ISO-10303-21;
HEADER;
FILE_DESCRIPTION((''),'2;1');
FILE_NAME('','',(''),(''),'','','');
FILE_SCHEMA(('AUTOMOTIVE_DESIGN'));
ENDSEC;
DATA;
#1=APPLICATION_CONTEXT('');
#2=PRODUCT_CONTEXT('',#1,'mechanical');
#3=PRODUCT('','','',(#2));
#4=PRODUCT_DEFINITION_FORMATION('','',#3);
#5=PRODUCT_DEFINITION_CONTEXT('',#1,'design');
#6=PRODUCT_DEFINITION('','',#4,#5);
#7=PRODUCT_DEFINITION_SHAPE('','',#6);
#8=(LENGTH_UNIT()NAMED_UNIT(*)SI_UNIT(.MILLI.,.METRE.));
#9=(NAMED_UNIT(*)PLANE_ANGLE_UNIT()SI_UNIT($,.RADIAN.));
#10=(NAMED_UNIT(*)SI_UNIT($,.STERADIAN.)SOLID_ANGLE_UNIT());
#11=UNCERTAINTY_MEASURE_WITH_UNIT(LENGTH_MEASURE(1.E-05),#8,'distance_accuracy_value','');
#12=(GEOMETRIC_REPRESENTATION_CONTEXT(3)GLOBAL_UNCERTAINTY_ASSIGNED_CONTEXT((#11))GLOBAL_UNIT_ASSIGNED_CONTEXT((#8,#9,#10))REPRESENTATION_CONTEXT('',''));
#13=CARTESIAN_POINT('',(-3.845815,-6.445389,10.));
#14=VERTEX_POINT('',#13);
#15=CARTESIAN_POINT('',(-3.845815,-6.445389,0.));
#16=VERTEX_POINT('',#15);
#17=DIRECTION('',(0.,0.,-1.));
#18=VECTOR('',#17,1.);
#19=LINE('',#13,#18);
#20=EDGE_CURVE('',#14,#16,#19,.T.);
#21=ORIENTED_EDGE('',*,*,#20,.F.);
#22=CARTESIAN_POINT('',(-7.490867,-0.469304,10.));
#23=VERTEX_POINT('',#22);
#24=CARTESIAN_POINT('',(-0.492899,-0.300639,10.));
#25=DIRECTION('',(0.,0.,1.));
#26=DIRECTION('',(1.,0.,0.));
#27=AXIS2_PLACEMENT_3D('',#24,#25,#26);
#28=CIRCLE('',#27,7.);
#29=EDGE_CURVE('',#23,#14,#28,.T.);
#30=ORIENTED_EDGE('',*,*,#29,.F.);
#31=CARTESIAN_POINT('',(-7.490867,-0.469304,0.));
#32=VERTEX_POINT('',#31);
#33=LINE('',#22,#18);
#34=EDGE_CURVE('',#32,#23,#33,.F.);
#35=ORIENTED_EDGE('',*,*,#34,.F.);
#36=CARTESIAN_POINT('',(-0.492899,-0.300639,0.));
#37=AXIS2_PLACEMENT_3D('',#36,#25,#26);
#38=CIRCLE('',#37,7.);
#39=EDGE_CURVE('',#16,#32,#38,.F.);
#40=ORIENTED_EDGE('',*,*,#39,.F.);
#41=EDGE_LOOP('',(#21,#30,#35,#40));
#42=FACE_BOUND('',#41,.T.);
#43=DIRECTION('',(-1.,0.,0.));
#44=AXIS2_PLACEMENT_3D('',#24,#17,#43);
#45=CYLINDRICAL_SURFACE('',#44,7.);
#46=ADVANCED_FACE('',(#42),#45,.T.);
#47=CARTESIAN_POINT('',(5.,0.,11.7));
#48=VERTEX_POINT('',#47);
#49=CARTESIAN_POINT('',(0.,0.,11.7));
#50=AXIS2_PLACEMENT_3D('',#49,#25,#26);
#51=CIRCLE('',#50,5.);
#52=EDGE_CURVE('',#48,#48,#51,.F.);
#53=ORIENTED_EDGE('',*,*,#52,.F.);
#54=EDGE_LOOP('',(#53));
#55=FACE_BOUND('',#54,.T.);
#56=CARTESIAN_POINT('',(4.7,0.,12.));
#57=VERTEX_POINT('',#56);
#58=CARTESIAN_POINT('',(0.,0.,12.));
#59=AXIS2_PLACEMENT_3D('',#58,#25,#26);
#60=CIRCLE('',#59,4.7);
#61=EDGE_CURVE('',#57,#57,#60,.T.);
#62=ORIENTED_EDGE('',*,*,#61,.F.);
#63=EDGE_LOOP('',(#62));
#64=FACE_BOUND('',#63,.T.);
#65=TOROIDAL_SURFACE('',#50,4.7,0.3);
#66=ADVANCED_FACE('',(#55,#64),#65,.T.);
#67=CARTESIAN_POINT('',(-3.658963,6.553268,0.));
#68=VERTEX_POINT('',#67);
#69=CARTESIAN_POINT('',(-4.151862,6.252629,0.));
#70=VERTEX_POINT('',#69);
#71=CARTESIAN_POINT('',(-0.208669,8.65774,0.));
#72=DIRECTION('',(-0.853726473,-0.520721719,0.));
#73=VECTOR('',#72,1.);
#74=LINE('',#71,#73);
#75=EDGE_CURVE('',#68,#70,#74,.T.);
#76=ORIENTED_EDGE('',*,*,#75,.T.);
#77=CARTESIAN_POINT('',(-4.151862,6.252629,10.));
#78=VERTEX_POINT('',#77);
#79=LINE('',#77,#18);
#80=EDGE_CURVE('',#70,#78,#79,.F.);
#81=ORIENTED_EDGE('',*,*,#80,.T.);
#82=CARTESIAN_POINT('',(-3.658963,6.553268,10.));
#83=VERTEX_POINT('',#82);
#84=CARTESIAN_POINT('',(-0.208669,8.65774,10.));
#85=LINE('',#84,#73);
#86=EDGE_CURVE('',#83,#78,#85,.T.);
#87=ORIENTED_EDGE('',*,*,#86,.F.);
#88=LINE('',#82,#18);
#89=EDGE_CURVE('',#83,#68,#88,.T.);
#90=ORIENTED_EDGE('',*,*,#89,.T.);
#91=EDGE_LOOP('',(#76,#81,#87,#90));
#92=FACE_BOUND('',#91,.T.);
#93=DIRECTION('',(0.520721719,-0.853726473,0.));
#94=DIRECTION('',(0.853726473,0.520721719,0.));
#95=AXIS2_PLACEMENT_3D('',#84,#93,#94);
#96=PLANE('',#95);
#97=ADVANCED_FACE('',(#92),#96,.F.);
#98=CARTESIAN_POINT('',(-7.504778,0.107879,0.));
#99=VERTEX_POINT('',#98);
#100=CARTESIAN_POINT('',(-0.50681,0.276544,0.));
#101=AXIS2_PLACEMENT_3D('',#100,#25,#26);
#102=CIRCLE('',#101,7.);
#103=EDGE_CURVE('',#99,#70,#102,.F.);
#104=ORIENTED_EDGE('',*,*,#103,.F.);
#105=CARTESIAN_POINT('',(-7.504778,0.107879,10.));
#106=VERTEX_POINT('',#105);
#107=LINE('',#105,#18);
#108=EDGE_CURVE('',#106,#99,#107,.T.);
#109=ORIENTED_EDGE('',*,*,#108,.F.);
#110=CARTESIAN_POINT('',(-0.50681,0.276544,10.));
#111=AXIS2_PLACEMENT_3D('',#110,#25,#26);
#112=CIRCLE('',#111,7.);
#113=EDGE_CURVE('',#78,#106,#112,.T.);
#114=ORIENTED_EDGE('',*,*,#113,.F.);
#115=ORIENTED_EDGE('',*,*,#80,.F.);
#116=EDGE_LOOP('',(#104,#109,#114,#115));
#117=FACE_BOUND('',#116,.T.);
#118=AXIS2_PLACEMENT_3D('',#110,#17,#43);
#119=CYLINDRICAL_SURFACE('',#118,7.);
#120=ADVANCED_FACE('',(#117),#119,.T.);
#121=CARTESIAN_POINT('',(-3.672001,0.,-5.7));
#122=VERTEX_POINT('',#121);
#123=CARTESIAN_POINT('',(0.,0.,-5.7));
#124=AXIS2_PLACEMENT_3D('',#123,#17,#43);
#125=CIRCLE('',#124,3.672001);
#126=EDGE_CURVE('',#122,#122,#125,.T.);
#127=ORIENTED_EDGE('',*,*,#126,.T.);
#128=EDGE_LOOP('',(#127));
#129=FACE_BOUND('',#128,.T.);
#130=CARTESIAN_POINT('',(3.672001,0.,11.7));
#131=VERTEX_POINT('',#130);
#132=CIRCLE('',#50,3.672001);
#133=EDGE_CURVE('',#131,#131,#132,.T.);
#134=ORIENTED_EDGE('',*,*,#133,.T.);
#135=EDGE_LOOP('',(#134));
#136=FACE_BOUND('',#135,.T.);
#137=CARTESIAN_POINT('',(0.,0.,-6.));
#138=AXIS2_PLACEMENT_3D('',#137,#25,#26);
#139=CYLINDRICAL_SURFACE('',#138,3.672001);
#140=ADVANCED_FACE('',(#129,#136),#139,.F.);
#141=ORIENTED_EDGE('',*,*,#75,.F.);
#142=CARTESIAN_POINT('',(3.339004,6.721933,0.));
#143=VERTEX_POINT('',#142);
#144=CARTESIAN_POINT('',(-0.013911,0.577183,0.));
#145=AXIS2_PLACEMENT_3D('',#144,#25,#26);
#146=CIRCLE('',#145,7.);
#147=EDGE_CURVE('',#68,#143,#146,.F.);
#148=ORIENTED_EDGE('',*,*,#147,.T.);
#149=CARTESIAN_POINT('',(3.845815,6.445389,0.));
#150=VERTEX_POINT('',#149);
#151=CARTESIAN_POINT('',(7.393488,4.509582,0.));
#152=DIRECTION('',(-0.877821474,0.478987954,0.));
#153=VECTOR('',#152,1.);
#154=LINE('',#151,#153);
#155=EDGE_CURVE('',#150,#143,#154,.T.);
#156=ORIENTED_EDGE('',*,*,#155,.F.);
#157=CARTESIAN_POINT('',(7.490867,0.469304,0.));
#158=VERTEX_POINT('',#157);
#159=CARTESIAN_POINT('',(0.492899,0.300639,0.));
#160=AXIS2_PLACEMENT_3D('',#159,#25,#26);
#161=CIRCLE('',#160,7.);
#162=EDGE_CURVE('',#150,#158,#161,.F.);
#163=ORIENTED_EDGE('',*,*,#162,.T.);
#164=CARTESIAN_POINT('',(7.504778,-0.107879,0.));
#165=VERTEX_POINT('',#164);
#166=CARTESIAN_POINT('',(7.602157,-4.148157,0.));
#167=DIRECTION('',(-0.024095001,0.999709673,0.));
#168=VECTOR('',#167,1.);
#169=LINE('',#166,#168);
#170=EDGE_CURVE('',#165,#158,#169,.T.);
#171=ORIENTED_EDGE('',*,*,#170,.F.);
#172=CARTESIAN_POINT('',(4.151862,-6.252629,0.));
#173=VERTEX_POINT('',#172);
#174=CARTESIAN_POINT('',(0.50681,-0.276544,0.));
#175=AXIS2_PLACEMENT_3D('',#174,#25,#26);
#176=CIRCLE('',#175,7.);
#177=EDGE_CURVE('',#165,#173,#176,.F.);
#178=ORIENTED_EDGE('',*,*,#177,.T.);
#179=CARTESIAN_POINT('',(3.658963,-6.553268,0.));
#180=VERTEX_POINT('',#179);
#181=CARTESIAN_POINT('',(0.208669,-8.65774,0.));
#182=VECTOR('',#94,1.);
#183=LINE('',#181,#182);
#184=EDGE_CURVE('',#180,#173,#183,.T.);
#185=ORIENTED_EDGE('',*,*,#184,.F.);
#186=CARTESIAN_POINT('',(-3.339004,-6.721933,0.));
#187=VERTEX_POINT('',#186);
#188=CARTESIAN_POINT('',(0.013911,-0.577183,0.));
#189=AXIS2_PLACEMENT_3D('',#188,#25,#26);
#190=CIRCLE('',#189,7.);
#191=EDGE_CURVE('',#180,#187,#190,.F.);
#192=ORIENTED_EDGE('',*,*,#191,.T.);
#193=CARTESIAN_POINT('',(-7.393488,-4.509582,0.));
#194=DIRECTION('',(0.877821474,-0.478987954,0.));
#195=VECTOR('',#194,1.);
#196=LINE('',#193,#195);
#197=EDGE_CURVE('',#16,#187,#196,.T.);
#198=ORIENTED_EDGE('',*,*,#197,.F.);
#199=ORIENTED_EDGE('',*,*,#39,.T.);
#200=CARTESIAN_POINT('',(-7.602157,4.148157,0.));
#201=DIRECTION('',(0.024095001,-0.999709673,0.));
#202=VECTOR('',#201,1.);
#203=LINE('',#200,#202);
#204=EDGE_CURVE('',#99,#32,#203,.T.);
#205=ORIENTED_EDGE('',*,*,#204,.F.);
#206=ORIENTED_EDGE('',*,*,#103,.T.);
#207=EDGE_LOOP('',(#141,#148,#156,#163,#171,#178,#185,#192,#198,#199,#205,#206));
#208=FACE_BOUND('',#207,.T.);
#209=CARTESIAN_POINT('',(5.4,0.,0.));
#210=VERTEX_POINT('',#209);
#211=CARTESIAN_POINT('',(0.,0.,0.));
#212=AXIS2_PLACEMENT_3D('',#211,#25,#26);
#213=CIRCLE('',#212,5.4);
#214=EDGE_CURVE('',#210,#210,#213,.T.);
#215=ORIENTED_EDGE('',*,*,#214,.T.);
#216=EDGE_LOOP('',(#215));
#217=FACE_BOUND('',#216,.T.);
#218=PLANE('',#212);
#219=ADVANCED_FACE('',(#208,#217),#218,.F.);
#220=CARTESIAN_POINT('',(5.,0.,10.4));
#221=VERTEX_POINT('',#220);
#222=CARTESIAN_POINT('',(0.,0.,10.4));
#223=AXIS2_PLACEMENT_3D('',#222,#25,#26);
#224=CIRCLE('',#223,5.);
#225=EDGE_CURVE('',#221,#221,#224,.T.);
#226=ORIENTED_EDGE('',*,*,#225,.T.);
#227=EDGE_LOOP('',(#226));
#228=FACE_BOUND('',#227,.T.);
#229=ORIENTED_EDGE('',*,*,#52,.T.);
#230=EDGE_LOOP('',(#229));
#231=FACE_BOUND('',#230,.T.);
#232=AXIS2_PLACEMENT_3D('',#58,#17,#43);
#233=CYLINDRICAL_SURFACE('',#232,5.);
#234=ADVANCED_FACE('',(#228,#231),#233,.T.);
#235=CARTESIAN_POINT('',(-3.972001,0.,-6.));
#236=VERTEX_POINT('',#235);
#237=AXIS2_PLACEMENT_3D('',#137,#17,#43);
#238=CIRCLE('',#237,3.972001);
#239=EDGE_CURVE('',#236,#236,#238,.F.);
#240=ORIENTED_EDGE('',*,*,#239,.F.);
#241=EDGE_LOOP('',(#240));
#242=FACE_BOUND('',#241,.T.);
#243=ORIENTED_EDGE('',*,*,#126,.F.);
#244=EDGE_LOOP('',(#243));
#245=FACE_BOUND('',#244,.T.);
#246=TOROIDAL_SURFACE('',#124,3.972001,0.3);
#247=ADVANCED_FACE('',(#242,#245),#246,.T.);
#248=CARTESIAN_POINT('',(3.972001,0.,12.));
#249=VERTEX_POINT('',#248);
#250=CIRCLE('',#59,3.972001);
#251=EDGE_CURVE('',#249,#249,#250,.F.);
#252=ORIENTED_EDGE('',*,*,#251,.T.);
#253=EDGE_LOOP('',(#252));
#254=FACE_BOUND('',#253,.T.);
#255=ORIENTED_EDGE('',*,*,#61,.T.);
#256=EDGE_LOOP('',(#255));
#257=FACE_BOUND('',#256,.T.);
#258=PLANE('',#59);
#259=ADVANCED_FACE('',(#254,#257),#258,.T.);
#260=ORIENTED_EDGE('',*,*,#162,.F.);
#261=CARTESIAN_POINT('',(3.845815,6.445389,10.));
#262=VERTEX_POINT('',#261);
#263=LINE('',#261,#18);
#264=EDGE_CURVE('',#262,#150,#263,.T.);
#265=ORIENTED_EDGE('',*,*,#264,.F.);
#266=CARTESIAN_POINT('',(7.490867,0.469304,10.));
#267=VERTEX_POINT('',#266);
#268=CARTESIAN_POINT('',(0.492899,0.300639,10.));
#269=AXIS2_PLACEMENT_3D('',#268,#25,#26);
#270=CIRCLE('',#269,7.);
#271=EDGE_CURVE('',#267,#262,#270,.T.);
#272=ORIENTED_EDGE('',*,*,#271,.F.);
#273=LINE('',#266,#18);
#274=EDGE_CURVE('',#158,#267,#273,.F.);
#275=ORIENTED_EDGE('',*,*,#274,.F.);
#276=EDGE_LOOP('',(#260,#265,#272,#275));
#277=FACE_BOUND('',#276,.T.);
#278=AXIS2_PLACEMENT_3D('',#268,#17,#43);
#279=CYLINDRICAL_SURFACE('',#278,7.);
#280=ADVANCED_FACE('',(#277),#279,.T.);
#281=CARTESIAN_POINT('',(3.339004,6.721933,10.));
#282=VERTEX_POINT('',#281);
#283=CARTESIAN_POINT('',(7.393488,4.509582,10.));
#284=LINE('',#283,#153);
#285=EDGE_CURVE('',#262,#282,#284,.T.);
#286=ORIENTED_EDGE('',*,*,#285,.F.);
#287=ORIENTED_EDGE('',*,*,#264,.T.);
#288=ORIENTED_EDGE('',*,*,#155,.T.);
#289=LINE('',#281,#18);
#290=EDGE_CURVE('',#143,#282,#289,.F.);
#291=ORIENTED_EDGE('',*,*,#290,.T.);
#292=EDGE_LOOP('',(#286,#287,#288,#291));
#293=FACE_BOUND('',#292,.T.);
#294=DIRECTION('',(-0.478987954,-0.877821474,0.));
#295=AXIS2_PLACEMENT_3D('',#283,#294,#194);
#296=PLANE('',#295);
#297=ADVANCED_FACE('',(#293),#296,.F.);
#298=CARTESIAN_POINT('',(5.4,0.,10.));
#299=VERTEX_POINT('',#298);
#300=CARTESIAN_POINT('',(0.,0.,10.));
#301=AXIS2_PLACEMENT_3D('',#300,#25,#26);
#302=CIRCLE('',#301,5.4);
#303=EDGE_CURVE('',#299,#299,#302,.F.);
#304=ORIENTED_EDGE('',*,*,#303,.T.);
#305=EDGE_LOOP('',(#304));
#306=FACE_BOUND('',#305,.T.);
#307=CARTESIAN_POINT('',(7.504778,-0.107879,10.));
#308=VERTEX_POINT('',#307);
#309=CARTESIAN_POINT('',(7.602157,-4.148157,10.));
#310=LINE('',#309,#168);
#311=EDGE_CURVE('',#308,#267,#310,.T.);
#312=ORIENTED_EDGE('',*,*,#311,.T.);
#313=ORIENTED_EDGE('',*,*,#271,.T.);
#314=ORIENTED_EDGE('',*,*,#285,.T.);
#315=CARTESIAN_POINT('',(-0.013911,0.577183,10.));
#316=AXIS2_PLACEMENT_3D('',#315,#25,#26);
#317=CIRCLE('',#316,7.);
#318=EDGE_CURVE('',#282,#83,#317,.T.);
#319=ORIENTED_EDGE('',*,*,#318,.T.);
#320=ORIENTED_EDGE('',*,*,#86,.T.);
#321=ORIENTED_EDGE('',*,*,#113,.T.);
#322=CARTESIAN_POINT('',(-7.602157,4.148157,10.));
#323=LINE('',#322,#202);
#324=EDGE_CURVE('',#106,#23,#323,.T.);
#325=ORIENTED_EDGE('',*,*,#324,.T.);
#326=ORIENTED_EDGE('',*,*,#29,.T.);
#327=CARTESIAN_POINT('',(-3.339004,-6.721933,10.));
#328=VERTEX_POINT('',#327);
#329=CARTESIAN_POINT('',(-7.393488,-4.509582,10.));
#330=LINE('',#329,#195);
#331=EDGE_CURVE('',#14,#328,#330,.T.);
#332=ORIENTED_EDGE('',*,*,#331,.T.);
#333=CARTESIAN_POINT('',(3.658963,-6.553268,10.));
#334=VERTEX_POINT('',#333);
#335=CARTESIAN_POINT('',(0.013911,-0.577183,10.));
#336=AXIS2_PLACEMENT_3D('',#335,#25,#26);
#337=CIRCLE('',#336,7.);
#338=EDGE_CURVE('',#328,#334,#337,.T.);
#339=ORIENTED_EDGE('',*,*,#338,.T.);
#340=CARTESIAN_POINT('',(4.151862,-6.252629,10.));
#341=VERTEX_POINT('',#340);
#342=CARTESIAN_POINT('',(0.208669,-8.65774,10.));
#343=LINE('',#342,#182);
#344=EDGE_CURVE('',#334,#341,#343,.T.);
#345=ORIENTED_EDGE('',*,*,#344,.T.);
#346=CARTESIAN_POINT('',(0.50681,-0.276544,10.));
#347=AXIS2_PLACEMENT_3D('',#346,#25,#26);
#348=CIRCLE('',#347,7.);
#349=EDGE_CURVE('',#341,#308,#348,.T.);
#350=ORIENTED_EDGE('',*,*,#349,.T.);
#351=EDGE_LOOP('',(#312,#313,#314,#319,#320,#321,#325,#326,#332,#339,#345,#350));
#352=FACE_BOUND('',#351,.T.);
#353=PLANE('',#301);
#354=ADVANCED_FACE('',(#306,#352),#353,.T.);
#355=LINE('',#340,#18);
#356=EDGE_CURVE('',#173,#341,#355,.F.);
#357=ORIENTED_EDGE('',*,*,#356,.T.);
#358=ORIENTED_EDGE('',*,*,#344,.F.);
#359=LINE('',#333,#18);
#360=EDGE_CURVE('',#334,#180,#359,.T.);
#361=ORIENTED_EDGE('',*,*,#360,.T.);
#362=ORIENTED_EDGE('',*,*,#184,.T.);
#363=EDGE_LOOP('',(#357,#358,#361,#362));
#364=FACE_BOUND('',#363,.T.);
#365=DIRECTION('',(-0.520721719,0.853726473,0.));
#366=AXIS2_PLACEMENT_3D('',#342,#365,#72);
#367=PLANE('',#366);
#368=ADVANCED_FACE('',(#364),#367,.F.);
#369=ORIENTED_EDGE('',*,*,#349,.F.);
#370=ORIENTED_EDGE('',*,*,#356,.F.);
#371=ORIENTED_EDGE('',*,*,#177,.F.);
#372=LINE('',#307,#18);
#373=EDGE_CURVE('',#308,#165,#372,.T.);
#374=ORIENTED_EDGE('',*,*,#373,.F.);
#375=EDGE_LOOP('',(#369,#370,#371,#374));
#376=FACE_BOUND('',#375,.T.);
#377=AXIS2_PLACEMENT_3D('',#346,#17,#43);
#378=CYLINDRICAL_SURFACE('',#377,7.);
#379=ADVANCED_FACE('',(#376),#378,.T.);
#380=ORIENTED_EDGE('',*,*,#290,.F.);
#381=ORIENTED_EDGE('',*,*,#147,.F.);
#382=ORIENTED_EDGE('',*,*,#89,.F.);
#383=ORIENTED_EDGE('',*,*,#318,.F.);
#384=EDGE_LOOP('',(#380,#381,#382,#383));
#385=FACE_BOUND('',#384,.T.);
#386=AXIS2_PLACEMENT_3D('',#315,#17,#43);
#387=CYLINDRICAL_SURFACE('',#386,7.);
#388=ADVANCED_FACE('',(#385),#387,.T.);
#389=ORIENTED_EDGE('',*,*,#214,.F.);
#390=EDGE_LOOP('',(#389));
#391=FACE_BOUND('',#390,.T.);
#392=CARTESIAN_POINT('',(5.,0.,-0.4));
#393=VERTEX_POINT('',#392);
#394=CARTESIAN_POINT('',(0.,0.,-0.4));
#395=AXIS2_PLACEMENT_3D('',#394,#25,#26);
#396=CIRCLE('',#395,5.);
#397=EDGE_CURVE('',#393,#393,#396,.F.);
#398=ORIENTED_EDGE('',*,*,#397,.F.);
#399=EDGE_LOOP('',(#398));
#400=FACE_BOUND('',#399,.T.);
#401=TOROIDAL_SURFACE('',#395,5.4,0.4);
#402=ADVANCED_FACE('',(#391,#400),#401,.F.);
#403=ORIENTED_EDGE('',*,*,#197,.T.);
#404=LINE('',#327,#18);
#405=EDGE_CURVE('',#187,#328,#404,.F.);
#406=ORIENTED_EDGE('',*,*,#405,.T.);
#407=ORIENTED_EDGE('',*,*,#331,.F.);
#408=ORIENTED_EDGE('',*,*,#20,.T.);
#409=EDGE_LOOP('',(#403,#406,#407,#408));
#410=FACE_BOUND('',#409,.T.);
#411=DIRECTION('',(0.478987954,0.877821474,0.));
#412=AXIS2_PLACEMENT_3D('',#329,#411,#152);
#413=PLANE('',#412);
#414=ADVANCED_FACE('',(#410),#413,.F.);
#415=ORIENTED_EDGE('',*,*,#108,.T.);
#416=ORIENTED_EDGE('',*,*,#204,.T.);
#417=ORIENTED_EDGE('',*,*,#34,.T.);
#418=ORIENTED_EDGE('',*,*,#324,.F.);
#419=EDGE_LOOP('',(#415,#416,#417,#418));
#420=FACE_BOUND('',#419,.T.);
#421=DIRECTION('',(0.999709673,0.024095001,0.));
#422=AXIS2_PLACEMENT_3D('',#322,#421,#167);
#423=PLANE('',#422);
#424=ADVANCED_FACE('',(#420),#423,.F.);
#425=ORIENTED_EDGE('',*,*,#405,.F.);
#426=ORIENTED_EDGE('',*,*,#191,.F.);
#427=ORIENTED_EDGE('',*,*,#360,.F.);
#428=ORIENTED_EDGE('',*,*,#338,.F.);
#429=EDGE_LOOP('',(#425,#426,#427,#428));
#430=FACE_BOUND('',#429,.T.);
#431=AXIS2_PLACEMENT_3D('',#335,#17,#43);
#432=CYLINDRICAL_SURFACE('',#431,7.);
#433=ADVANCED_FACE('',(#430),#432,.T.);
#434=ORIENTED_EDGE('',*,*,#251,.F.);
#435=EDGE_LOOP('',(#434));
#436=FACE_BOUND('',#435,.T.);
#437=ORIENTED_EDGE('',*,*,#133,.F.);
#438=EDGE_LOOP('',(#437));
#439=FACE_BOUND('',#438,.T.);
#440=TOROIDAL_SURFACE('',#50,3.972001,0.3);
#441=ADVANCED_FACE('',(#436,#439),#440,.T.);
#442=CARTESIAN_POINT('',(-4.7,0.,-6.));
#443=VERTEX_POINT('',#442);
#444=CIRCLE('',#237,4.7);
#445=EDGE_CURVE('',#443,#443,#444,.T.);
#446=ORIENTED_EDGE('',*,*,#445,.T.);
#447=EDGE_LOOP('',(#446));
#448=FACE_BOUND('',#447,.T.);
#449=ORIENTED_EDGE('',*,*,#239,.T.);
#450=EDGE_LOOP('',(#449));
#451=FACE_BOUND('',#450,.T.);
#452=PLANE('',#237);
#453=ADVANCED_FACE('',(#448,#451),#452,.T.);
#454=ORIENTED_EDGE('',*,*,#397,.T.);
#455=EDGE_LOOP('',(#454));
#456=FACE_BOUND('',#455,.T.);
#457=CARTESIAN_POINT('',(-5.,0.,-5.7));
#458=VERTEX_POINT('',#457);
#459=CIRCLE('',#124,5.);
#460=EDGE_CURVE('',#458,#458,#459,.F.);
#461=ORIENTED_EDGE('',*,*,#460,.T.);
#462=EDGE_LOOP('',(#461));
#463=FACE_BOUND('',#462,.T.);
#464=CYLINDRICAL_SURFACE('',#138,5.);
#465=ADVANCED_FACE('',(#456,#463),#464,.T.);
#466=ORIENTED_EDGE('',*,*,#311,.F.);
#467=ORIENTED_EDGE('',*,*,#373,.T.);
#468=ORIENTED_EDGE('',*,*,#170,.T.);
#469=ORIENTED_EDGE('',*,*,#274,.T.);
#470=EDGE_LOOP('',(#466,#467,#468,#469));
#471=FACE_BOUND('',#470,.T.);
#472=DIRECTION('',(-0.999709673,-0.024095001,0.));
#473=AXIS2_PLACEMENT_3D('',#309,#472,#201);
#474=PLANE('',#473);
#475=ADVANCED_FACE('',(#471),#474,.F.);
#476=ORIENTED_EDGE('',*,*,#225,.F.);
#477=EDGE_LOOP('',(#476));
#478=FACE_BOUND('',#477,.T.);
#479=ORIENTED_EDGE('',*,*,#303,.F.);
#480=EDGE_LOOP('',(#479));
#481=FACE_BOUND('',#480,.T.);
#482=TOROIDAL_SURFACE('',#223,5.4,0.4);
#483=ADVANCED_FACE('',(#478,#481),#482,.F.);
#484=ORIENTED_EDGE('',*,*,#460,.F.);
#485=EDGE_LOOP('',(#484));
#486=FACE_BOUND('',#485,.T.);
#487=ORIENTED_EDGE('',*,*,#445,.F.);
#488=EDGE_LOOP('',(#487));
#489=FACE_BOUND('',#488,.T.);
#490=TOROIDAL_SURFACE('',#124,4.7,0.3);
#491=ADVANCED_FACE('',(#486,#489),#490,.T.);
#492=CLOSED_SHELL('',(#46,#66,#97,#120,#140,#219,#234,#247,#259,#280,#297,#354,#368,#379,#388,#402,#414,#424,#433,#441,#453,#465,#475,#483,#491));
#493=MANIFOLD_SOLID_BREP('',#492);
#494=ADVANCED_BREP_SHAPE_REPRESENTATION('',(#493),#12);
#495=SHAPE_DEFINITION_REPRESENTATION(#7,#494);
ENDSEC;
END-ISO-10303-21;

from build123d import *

# Parameters (mm, degrees)
BOSS_EXTRUDE1_DEPTH = 10
SKETCH2_R           = 5
BOSS_EXTRUDE2_DEPTH = 6
FILLET1_R           = 0.4
BOSS_EXTRUDE3_START = 2
SKETCH3_R           = 5
BOSS_EXTRUDE3_DEPTH = 2
FILLET3_R           = 0.4
SKETCH4_R           = 3.67200106
CUT_EXTRUDE1_DEPTH  = 18
FILLET4_R           = 0.3
FILLET5_R           = 7


with BuildPart() as part:
    # Sketch1 → Boss-Extrude1 (new body)
    with BuildSketch(Plane.XY):
        Polygon((7.393488137, 4.509582372), (-0.208668827, 8.657739735), (-7.602156963, 4.148157363), (-7.393488137, -4.509582372), (0.208668827, -8.657739735), (7.602156963, -4.148157363), align=None)
    extrude(amount=BOSS_EXTRUDE1_DEPTH)

    # Sketch2 → Boss-Extrude2 (add)
    with BuildSketch(Plane(origin=(0, 0, 0), x_dir=(-1, 0, 0), z_dir=(0, 0, -1))):
        Circle(SKETCH2_R)
    extrude(amount=BOSS_EXTRUDE2_DEPTH)

    # Fillet1
    fillet1_edges = [part.edges().sort_by_distance(p)[0] for p in [
        (5, 0, 0),
    ]]
    fillet(fillet1_edges, radius=FILLET1_R)

    # Sketch3 → Boss-Extrude3 (add)
    with BuildSketch(Plane.XY.offset(10).offset(BOSS_EXTRUDE3_START)):
        Circle(SKETCH3_R)
    extrude(amount=-BOSS_EXTRUDE3_DEPTH)

    # Fillet3
    fillet3_edges = [part.edges().sort_by_distance(p)[0] for p in [
        (-5, 0, 10),
    ]]
    fillet(fillet3_edges, radius=FILLET3_R)

    # Sketch4 → Cut-Extrude1 (cut)
    with BuildSketch(Plane.XY.offset(12)):
        Circle(SKETCH4_R)
    extrude(amount=-CUT_EXTRUDE1_DEPTH, mode=Mode.SUBTRACT)

    # Fillet4
    fillet4_edges = [part.edges().sort_by_distance(p)[0] for p in [
        (5, 0, -6),
        (-5, 0, 12),
        (-3.67200106, 0, -6),
        (-3.67200106, 0, 12),
    ]]
    fillet(fillet4_edges, radius=FILLET4_R)

    # Fillet5
    fillet5_edges = [part.edges().sort_by_distance(p)[0] for p in [
        (7.602156963, -4.148157363, 5),
        (0.208668827, -8.657739735, 5),
        (-7.393488137, -4.509582372, 5),
        (-7.602156963, 4.148157363, 5),
        (-0.208668827, 8.657739735, 5),
        (7.393488137, 4.509582372, 5),
    ]]
    fillet(fillet5_edges, radius=FILLET5_R)


solid = part.part
